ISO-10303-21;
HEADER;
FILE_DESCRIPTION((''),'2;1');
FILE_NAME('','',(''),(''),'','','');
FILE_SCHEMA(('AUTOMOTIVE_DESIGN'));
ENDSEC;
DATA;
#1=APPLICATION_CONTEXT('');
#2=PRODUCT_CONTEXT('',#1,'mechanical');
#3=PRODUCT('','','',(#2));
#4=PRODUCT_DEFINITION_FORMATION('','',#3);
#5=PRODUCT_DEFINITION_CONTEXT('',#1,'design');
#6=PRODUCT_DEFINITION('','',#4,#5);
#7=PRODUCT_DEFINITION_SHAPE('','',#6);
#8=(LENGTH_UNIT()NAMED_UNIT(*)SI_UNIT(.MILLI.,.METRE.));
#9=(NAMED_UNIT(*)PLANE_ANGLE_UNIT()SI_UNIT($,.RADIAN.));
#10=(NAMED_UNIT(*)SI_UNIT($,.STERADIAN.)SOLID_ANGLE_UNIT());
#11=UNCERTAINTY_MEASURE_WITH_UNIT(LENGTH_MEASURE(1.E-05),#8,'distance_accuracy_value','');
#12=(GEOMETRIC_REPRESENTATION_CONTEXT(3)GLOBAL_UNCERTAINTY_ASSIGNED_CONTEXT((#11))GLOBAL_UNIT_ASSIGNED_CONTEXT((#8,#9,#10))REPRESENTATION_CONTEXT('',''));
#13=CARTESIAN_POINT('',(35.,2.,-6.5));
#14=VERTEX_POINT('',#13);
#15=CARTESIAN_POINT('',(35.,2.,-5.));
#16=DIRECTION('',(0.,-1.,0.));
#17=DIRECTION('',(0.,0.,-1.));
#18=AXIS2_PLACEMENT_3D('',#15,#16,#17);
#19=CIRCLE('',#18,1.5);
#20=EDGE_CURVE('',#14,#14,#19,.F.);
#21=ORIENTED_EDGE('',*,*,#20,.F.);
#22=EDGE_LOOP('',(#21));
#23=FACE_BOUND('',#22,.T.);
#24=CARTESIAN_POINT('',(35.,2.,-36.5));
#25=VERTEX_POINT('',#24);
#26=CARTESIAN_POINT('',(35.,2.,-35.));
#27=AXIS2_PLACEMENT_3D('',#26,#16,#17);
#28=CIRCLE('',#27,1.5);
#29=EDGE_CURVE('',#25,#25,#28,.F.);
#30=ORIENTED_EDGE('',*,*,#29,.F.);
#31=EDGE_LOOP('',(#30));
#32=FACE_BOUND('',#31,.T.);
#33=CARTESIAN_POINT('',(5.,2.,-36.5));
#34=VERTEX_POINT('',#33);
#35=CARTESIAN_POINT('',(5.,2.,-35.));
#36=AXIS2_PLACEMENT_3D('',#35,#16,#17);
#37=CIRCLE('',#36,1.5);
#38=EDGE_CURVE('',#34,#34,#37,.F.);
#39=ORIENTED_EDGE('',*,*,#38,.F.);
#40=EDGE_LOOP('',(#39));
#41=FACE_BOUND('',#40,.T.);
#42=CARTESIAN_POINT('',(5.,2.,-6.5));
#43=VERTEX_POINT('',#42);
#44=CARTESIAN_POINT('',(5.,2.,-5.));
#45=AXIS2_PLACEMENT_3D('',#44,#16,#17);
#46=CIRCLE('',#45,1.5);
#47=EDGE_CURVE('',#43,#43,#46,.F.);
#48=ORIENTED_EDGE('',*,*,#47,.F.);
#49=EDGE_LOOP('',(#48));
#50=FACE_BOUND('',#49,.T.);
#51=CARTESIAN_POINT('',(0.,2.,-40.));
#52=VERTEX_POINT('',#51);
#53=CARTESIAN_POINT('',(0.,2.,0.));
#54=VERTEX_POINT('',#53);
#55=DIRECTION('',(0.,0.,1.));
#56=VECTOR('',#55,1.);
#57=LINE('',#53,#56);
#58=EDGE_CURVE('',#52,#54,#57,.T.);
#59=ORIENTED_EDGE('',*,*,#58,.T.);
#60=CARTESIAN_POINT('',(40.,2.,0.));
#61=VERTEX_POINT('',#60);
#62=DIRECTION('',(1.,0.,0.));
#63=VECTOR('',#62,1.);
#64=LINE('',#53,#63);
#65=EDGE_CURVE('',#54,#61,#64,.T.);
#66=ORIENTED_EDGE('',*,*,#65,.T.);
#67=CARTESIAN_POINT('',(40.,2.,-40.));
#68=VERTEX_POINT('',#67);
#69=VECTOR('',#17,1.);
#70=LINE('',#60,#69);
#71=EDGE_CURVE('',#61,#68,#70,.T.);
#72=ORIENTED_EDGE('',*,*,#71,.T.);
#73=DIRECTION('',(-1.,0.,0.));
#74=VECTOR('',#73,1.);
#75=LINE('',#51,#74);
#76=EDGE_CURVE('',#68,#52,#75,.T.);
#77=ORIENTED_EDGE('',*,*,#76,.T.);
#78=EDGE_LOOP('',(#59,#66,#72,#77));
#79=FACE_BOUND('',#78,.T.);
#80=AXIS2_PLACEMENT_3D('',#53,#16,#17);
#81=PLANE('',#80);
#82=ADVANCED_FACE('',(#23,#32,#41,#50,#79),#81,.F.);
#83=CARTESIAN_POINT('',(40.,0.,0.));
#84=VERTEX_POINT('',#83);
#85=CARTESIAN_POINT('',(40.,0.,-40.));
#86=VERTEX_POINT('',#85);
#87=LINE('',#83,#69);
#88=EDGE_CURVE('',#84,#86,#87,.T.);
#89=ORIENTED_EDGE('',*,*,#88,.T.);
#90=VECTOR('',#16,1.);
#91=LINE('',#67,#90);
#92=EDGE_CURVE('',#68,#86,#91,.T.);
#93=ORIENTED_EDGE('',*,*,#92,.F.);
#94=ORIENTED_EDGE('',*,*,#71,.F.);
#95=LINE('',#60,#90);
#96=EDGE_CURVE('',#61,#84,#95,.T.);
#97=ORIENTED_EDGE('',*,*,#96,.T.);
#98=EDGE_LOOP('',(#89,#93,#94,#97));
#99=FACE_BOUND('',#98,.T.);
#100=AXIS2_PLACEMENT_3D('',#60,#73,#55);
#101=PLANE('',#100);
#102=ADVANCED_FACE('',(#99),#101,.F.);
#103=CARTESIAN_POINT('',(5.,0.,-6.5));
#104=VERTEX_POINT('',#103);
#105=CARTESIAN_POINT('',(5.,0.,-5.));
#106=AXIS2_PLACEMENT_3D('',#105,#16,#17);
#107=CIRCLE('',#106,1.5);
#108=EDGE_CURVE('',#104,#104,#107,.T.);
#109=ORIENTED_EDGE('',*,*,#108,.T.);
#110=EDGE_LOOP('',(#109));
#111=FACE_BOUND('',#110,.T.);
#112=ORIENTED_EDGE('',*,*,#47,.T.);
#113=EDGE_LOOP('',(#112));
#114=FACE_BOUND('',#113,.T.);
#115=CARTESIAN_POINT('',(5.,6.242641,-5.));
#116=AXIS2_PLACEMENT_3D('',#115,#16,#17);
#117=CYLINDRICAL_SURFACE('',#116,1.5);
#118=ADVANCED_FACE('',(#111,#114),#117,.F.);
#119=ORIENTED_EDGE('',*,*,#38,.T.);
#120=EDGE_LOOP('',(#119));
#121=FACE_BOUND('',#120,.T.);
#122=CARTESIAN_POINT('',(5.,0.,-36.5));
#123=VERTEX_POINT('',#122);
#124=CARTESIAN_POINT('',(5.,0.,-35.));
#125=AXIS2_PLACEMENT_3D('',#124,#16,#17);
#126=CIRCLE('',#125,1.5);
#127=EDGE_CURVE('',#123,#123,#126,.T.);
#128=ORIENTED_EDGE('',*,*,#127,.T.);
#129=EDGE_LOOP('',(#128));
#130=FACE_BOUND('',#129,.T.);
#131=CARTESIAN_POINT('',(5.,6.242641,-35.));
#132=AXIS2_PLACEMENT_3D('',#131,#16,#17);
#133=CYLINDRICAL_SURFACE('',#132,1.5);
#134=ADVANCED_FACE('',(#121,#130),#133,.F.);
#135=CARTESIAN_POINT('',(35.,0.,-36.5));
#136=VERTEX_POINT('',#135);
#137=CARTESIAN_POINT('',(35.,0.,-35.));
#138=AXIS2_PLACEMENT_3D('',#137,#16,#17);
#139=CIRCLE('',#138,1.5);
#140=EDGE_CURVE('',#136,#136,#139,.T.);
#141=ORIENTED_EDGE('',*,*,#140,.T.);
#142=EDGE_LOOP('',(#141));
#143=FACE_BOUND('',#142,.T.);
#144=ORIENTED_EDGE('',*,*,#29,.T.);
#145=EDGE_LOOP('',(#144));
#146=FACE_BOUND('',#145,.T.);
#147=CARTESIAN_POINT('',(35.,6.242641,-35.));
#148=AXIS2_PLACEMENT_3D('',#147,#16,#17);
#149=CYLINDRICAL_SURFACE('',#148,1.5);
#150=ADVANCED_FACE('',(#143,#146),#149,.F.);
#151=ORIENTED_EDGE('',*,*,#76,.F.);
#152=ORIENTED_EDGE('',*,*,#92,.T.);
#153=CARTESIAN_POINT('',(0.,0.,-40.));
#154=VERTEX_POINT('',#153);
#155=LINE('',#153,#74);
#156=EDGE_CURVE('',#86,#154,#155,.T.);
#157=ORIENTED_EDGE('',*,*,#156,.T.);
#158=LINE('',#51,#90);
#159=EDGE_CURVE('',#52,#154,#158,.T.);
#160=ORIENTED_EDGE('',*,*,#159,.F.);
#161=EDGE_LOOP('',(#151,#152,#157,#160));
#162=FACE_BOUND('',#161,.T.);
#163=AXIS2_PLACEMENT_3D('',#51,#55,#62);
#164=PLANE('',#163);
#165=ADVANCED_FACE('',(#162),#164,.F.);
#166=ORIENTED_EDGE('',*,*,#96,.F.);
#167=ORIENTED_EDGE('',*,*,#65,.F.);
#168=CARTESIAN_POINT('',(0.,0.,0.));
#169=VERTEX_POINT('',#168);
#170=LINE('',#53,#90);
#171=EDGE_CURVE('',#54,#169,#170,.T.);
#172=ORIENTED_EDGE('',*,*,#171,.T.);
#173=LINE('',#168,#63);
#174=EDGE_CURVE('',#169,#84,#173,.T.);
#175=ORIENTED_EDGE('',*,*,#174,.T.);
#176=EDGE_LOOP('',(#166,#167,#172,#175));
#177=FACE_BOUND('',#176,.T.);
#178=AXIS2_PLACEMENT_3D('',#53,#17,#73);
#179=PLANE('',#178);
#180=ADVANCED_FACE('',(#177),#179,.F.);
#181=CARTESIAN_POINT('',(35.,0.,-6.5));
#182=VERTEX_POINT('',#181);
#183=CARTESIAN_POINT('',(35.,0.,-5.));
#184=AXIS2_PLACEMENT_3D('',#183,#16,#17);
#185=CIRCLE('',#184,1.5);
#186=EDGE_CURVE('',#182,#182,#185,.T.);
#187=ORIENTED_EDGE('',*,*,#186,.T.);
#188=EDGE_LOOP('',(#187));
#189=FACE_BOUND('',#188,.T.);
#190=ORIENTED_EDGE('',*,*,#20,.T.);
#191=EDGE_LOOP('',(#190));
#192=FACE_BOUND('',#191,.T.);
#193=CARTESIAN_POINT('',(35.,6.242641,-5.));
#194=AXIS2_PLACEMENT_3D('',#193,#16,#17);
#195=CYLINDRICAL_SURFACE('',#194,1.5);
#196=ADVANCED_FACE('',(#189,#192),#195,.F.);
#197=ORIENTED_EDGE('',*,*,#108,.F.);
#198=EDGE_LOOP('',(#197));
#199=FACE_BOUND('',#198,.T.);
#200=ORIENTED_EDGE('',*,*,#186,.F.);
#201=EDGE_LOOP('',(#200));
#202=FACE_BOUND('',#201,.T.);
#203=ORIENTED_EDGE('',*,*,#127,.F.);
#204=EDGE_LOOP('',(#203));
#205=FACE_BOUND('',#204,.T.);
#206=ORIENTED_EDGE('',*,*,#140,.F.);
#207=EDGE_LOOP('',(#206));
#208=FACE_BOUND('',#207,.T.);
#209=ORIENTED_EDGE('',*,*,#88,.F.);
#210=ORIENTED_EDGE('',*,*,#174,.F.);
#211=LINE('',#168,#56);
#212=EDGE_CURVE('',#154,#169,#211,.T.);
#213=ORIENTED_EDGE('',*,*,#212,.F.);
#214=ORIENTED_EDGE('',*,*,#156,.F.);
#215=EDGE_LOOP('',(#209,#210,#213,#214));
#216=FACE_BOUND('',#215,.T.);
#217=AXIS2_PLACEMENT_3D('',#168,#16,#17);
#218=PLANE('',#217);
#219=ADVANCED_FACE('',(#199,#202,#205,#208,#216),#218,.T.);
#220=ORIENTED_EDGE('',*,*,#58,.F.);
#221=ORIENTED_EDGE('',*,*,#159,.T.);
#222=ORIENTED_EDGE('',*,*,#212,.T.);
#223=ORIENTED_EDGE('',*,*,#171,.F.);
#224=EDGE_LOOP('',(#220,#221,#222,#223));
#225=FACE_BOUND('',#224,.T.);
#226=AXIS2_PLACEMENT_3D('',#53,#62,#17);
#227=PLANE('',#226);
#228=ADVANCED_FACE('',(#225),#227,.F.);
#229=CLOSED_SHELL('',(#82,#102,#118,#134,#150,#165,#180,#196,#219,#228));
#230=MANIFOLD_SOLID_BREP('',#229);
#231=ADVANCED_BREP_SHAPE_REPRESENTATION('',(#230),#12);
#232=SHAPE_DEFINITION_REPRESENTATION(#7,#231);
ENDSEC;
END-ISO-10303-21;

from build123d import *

# Parameters (mm, degrees)
SKETCH1_W           = 40
SKETCH1_H           = 40
BOSS_EXTRUDE1_DEPTH = 2
SKETCH2_R           = 1.5
CUT_EXTRUDE1_DEPTH  = 2


with BuildPart() as part:
    # Sketch1 → Boss-Extrude1 (new body)
    with BuildSketch(Plane(origin=(0, 0, 0), x_dir=(1, 0, 0), z_dir=(0, 1, 0))):
        with Locations((20, 20)):
            Rectangle(SKETCH1_W, SKETCH1_H)
    extrude(amount=BOSS_EXTRUDE1_DEPTH)

    # Sketch2 → Cut-Extrude1 (cut)
    with BuildSketch(Plane.XZ):
        with Locations((35, -5)):
            Circle(SKETCH2_R)
        with Locations((35, -35)):
            Circle(SKETCH2_R)
        with Locations((5, -5)):
            Circle(SKETCH2_R)
        with Locations((5, -35)):
            Circle(SKETCH2_R)
    extrude(amount=-CUT_EXTRUDE1_DEPTH, mode=Mode.SUBTRACT)


solid = part.part
